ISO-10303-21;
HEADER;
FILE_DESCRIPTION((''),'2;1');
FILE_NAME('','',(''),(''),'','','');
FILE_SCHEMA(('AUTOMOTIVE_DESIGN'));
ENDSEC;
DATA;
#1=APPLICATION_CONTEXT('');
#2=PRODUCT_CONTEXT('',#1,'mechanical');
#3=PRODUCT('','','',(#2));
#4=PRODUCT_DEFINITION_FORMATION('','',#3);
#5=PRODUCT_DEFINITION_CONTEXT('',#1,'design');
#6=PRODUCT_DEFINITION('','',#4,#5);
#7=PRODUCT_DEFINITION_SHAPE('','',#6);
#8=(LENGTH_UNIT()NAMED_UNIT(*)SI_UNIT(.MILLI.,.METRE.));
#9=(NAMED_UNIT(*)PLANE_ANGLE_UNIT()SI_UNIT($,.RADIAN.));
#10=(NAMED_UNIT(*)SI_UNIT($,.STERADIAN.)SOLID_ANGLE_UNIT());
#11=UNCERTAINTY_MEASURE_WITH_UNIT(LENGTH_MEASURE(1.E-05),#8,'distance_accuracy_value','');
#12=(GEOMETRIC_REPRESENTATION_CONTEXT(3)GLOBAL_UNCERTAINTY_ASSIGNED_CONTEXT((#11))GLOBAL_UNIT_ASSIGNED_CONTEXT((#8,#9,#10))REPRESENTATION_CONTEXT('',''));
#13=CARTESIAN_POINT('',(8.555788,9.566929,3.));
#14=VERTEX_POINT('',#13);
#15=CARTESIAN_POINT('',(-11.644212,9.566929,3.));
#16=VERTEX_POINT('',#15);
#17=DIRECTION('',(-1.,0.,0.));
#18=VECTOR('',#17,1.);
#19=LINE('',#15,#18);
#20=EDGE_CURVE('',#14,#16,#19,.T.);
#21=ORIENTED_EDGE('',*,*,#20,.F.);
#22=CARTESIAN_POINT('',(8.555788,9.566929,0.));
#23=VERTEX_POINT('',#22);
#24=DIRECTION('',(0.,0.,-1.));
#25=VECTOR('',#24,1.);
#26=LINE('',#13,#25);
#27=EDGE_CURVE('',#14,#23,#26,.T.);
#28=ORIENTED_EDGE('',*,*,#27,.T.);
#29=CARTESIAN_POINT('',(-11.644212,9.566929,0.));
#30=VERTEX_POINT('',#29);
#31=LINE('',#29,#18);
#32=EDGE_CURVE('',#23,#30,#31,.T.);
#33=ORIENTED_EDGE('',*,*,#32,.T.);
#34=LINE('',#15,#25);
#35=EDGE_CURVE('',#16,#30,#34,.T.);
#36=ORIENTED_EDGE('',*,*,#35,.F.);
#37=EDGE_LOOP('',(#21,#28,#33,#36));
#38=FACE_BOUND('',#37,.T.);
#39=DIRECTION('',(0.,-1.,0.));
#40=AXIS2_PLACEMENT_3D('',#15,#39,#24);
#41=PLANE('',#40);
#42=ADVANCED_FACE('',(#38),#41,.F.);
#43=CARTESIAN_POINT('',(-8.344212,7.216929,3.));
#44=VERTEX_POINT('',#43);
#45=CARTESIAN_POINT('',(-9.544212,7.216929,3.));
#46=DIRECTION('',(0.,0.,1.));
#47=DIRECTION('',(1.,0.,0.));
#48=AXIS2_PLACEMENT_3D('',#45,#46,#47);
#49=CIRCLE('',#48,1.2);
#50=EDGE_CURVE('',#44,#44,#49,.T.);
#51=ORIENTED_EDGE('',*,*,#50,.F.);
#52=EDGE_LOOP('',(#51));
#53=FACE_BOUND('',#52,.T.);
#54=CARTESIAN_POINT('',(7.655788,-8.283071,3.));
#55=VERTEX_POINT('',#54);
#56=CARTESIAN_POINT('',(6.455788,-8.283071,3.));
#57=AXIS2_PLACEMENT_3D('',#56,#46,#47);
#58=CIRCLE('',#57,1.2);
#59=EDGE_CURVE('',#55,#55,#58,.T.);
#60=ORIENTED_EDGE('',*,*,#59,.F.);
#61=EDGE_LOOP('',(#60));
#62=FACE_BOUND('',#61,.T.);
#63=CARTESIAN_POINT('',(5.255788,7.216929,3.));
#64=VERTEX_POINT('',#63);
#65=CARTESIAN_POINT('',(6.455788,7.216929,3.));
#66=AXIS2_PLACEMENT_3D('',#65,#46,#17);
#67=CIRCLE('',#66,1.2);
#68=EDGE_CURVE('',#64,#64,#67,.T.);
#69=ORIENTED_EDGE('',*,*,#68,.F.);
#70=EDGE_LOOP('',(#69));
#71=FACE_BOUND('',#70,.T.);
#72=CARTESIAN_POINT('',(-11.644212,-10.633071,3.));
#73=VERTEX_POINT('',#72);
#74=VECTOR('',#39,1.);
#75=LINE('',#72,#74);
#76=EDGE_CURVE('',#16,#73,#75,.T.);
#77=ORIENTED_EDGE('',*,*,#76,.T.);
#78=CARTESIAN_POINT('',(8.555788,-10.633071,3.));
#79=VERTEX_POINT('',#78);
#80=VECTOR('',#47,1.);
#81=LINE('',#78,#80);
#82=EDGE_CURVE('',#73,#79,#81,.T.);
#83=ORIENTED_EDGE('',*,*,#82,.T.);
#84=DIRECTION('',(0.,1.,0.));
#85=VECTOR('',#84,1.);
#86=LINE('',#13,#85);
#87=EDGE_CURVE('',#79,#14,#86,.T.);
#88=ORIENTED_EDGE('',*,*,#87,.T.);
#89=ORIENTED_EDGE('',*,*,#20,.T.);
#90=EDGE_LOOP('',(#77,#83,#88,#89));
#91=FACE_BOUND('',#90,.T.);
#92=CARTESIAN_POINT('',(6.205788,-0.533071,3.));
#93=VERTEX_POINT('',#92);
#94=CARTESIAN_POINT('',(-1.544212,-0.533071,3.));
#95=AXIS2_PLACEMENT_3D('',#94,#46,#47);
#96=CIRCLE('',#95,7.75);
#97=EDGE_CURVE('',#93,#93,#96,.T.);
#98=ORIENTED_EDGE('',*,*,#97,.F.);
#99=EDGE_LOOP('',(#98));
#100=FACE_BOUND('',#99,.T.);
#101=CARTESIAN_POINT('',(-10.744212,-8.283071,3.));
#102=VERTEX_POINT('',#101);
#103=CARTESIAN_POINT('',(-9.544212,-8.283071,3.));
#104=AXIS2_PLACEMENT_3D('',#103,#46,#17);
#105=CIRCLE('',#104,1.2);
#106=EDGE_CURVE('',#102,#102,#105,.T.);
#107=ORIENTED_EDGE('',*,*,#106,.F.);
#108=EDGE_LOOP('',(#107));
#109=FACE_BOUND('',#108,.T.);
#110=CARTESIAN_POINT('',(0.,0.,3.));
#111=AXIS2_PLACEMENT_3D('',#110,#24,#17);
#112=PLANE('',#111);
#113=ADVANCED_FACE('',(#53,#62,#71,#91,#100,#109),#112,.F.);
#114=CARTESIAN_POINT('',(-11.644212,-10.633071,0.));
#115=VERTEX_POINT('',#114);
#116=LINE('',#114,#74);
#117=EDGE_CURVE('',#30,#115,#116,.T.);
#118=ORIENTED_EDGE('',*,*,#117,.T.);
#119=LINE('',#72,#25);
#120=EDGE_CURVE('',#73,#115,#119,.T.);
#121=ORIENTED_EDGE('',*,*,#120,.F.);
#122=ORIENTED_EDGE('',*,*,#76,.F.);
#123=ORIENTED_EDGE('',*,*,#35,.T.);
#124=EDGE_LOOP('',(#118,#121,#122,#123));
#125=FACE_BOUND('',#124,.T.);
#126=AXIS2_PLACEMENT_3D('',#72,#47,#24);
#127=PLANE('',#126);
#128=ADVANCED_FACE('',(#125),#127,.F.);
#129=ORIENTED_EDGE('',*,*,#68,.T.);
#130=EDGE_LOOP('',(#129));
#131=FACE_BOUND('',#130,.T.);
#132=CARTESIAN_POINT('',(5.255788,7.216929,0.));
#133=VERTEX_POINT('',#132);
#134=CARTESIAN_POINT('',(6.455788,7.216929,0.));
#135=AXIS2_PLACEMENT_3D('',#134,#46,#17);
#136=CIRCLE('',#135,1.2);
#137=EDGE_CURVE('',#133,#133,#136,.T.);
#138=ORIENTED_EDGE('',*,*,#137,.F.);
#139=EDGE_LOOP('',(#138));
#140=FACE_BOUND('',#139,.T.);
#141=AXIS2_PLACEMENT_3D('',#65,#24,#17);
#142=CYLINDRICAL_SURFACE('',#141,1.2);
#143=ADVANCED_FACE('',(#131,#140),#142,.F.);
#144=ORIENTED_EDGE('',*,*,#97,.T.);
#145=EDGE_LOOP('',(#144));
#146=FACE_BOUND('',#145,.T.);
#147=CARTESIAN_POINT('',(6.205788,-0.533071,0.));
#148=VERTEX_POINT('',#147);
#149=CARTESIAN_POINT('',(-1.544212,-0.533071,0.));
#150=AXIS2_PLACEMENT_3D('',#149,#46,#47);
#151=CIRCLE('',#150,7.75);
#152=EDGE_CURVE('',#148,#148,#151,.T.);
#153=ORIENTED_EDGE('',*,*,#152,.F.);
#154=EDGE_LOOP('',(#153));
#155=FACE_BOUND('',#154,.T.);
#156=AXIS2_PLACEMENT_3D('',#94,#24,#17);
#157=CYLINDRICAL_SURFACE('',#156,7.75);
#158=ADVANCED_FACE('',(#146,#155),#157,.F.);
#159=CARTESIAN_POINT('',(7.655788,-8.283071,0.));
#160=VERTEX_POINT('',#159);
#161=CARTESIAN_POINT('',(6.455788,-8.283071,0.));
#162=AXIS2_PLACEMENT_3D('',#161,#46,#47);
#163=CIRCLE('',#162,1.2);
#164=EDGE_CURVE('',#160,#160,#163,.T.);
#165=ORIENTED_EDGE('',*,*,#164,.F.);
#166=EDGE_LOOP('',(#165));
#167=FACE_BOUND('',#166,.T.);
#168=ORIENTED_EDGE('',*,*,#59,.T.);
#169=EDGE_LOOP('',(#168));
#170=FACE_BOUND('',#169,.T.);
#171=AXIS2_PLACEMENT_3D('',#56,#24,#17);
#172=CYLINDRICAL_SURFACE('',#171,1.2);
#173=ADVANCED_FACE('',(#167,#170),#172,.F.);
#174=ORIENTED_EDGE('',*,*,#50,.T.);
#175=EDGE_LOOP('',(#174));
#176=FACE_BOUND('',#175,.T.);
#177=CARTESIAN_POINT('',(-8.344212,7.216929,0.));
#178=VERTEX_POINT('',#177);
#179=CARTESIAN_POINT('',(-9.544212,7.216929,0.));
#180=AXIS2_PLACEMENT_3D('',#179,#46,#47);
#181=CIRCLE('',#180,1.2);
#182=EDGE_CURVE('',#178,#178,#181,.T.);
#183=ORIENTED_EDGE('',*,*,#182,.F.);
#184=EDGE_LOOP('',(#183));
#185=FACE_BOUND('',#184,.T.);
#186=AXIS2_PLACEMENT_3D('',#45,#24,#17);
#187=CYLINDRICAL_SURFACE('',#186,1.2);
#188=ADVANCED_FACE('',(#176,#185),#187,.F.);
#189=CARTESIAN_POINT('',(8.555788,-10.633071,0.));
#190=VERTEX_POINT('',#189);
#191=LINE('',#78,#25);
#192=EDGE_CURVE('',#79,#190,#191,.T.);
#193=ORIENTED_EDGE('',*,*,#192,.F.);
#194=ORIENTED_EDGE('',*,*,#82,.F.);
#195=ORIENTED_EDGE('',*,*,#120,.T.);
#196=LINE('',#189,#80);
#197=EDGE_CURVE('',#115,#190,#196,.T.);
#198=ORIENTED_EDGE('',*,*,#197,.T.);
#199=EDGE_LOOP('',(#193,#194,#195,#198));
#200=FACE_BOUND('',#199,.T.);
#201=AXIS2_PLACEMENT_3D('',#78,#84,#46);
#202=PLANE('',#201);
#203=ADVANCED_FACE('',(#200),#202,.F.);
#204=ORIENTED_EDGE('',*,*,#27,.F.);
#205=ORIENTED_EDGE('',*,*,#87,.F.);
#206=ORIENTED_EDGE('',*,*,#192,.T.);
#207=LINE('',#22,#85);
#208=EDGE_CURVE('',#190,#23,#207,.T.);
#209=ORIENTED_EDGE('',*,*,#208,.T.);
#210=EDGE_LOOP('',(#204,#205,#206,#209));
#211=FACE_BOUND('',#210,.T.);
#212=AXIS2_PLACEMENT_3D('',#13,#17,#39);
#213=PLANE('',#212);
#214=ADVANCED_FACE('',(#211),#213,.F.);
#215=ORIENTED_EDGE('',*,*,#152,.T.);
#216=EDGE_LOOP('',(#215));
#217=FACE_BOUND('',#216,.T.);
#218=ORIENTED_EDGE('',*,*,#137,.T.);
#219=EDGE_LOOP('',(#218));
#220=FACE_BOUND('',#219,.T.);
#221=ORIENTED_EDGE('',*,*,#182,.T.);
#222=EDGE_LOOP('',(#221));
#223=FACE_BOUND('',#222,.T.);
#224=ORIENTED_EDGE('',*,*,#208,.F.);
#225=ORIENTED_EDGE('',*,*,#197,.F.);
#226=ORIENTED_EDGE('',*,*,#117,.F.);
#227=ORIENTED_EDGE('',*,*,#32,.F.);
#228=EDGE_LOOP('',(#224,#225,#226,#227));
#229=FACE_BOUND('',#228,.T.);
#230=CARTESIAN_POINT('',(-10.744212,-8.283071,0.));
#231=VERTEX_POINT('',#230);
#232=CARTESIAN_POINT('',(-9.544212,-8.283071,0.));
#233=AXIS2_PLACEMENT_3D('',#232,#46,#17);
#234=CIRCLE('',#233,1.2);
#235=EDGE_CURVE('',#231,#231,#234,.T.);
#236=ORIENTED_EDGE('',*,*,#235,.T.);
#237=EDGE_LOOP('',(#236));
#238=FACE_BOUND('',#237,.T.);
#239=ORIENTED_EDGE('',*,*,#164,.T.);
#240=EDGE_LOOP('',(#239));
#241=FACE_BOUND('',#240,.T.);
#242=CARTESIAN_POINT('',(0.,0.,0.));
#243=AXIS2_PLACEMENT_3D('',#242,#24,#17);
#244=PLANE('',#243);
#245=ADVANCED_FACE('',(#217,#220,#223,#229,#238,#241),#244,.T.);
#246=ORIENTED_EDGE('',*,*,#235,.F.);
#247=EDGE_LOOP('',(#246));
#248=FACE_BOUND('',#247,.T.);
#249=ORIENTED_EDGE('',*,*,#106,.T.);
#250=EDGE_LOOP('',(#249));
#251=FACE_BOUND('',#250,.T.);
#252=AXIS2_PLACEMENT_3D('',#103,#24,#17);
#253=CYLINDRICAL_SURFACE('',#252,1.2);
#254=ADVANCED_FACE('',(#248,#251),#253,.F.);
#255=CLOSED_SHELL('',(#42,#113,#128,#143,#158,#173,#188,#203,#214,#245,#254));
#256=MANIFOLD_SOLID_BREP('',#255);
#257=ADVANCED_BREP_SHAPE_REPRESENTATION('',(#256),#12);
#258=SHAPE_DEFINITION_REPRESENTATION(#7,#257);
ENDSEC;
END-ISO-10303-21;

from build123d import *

# Parameters (mm, degrees)
SKETCH1_W           = 20.2
SKETCH1_H           = 20.2
SKETCH1_R           = 7.75
SKETCH1_R_2         = 1.2
BOSS_EXTRUDE2_DEPTH = 3


with BuildPart() as part:
    # Sketch1 → Boss-Extrude2 (new body)
    with BuildSketch(Plane.XY):
        with Locations((-1.544211534, -0.533070866)):
            Rectangle(SKETCH1_W, SKETCH1_H)
        with Locations((-1.544211534, -0.533070866)):
            Circle(SKETCH1_R, mode=Mode.SUBTRACT)
        with Locations((-9.544211534, 7.216929134)):
            Circle(SKETCH1_R_2, mode=Mode.SUBTRACT)
        with Locations((6.455788466, 7.216929134)):
            Circle(SKETCH1_R_2, mode=Mode.SUBTRACT)
        with Locations((-9.544211534, -8.283070866)):
            Circle(SKETCH1_R_2, mode=Mode.SUBTRACT)
        with Locations((6.455788466, -8.283070866)):
            Circle(SKETCH1_R_2, mode=Mode.SUBTRACT)
    extrude(amount=BOSS_EXTRUDE2_DEPTH)


solid = part.part
